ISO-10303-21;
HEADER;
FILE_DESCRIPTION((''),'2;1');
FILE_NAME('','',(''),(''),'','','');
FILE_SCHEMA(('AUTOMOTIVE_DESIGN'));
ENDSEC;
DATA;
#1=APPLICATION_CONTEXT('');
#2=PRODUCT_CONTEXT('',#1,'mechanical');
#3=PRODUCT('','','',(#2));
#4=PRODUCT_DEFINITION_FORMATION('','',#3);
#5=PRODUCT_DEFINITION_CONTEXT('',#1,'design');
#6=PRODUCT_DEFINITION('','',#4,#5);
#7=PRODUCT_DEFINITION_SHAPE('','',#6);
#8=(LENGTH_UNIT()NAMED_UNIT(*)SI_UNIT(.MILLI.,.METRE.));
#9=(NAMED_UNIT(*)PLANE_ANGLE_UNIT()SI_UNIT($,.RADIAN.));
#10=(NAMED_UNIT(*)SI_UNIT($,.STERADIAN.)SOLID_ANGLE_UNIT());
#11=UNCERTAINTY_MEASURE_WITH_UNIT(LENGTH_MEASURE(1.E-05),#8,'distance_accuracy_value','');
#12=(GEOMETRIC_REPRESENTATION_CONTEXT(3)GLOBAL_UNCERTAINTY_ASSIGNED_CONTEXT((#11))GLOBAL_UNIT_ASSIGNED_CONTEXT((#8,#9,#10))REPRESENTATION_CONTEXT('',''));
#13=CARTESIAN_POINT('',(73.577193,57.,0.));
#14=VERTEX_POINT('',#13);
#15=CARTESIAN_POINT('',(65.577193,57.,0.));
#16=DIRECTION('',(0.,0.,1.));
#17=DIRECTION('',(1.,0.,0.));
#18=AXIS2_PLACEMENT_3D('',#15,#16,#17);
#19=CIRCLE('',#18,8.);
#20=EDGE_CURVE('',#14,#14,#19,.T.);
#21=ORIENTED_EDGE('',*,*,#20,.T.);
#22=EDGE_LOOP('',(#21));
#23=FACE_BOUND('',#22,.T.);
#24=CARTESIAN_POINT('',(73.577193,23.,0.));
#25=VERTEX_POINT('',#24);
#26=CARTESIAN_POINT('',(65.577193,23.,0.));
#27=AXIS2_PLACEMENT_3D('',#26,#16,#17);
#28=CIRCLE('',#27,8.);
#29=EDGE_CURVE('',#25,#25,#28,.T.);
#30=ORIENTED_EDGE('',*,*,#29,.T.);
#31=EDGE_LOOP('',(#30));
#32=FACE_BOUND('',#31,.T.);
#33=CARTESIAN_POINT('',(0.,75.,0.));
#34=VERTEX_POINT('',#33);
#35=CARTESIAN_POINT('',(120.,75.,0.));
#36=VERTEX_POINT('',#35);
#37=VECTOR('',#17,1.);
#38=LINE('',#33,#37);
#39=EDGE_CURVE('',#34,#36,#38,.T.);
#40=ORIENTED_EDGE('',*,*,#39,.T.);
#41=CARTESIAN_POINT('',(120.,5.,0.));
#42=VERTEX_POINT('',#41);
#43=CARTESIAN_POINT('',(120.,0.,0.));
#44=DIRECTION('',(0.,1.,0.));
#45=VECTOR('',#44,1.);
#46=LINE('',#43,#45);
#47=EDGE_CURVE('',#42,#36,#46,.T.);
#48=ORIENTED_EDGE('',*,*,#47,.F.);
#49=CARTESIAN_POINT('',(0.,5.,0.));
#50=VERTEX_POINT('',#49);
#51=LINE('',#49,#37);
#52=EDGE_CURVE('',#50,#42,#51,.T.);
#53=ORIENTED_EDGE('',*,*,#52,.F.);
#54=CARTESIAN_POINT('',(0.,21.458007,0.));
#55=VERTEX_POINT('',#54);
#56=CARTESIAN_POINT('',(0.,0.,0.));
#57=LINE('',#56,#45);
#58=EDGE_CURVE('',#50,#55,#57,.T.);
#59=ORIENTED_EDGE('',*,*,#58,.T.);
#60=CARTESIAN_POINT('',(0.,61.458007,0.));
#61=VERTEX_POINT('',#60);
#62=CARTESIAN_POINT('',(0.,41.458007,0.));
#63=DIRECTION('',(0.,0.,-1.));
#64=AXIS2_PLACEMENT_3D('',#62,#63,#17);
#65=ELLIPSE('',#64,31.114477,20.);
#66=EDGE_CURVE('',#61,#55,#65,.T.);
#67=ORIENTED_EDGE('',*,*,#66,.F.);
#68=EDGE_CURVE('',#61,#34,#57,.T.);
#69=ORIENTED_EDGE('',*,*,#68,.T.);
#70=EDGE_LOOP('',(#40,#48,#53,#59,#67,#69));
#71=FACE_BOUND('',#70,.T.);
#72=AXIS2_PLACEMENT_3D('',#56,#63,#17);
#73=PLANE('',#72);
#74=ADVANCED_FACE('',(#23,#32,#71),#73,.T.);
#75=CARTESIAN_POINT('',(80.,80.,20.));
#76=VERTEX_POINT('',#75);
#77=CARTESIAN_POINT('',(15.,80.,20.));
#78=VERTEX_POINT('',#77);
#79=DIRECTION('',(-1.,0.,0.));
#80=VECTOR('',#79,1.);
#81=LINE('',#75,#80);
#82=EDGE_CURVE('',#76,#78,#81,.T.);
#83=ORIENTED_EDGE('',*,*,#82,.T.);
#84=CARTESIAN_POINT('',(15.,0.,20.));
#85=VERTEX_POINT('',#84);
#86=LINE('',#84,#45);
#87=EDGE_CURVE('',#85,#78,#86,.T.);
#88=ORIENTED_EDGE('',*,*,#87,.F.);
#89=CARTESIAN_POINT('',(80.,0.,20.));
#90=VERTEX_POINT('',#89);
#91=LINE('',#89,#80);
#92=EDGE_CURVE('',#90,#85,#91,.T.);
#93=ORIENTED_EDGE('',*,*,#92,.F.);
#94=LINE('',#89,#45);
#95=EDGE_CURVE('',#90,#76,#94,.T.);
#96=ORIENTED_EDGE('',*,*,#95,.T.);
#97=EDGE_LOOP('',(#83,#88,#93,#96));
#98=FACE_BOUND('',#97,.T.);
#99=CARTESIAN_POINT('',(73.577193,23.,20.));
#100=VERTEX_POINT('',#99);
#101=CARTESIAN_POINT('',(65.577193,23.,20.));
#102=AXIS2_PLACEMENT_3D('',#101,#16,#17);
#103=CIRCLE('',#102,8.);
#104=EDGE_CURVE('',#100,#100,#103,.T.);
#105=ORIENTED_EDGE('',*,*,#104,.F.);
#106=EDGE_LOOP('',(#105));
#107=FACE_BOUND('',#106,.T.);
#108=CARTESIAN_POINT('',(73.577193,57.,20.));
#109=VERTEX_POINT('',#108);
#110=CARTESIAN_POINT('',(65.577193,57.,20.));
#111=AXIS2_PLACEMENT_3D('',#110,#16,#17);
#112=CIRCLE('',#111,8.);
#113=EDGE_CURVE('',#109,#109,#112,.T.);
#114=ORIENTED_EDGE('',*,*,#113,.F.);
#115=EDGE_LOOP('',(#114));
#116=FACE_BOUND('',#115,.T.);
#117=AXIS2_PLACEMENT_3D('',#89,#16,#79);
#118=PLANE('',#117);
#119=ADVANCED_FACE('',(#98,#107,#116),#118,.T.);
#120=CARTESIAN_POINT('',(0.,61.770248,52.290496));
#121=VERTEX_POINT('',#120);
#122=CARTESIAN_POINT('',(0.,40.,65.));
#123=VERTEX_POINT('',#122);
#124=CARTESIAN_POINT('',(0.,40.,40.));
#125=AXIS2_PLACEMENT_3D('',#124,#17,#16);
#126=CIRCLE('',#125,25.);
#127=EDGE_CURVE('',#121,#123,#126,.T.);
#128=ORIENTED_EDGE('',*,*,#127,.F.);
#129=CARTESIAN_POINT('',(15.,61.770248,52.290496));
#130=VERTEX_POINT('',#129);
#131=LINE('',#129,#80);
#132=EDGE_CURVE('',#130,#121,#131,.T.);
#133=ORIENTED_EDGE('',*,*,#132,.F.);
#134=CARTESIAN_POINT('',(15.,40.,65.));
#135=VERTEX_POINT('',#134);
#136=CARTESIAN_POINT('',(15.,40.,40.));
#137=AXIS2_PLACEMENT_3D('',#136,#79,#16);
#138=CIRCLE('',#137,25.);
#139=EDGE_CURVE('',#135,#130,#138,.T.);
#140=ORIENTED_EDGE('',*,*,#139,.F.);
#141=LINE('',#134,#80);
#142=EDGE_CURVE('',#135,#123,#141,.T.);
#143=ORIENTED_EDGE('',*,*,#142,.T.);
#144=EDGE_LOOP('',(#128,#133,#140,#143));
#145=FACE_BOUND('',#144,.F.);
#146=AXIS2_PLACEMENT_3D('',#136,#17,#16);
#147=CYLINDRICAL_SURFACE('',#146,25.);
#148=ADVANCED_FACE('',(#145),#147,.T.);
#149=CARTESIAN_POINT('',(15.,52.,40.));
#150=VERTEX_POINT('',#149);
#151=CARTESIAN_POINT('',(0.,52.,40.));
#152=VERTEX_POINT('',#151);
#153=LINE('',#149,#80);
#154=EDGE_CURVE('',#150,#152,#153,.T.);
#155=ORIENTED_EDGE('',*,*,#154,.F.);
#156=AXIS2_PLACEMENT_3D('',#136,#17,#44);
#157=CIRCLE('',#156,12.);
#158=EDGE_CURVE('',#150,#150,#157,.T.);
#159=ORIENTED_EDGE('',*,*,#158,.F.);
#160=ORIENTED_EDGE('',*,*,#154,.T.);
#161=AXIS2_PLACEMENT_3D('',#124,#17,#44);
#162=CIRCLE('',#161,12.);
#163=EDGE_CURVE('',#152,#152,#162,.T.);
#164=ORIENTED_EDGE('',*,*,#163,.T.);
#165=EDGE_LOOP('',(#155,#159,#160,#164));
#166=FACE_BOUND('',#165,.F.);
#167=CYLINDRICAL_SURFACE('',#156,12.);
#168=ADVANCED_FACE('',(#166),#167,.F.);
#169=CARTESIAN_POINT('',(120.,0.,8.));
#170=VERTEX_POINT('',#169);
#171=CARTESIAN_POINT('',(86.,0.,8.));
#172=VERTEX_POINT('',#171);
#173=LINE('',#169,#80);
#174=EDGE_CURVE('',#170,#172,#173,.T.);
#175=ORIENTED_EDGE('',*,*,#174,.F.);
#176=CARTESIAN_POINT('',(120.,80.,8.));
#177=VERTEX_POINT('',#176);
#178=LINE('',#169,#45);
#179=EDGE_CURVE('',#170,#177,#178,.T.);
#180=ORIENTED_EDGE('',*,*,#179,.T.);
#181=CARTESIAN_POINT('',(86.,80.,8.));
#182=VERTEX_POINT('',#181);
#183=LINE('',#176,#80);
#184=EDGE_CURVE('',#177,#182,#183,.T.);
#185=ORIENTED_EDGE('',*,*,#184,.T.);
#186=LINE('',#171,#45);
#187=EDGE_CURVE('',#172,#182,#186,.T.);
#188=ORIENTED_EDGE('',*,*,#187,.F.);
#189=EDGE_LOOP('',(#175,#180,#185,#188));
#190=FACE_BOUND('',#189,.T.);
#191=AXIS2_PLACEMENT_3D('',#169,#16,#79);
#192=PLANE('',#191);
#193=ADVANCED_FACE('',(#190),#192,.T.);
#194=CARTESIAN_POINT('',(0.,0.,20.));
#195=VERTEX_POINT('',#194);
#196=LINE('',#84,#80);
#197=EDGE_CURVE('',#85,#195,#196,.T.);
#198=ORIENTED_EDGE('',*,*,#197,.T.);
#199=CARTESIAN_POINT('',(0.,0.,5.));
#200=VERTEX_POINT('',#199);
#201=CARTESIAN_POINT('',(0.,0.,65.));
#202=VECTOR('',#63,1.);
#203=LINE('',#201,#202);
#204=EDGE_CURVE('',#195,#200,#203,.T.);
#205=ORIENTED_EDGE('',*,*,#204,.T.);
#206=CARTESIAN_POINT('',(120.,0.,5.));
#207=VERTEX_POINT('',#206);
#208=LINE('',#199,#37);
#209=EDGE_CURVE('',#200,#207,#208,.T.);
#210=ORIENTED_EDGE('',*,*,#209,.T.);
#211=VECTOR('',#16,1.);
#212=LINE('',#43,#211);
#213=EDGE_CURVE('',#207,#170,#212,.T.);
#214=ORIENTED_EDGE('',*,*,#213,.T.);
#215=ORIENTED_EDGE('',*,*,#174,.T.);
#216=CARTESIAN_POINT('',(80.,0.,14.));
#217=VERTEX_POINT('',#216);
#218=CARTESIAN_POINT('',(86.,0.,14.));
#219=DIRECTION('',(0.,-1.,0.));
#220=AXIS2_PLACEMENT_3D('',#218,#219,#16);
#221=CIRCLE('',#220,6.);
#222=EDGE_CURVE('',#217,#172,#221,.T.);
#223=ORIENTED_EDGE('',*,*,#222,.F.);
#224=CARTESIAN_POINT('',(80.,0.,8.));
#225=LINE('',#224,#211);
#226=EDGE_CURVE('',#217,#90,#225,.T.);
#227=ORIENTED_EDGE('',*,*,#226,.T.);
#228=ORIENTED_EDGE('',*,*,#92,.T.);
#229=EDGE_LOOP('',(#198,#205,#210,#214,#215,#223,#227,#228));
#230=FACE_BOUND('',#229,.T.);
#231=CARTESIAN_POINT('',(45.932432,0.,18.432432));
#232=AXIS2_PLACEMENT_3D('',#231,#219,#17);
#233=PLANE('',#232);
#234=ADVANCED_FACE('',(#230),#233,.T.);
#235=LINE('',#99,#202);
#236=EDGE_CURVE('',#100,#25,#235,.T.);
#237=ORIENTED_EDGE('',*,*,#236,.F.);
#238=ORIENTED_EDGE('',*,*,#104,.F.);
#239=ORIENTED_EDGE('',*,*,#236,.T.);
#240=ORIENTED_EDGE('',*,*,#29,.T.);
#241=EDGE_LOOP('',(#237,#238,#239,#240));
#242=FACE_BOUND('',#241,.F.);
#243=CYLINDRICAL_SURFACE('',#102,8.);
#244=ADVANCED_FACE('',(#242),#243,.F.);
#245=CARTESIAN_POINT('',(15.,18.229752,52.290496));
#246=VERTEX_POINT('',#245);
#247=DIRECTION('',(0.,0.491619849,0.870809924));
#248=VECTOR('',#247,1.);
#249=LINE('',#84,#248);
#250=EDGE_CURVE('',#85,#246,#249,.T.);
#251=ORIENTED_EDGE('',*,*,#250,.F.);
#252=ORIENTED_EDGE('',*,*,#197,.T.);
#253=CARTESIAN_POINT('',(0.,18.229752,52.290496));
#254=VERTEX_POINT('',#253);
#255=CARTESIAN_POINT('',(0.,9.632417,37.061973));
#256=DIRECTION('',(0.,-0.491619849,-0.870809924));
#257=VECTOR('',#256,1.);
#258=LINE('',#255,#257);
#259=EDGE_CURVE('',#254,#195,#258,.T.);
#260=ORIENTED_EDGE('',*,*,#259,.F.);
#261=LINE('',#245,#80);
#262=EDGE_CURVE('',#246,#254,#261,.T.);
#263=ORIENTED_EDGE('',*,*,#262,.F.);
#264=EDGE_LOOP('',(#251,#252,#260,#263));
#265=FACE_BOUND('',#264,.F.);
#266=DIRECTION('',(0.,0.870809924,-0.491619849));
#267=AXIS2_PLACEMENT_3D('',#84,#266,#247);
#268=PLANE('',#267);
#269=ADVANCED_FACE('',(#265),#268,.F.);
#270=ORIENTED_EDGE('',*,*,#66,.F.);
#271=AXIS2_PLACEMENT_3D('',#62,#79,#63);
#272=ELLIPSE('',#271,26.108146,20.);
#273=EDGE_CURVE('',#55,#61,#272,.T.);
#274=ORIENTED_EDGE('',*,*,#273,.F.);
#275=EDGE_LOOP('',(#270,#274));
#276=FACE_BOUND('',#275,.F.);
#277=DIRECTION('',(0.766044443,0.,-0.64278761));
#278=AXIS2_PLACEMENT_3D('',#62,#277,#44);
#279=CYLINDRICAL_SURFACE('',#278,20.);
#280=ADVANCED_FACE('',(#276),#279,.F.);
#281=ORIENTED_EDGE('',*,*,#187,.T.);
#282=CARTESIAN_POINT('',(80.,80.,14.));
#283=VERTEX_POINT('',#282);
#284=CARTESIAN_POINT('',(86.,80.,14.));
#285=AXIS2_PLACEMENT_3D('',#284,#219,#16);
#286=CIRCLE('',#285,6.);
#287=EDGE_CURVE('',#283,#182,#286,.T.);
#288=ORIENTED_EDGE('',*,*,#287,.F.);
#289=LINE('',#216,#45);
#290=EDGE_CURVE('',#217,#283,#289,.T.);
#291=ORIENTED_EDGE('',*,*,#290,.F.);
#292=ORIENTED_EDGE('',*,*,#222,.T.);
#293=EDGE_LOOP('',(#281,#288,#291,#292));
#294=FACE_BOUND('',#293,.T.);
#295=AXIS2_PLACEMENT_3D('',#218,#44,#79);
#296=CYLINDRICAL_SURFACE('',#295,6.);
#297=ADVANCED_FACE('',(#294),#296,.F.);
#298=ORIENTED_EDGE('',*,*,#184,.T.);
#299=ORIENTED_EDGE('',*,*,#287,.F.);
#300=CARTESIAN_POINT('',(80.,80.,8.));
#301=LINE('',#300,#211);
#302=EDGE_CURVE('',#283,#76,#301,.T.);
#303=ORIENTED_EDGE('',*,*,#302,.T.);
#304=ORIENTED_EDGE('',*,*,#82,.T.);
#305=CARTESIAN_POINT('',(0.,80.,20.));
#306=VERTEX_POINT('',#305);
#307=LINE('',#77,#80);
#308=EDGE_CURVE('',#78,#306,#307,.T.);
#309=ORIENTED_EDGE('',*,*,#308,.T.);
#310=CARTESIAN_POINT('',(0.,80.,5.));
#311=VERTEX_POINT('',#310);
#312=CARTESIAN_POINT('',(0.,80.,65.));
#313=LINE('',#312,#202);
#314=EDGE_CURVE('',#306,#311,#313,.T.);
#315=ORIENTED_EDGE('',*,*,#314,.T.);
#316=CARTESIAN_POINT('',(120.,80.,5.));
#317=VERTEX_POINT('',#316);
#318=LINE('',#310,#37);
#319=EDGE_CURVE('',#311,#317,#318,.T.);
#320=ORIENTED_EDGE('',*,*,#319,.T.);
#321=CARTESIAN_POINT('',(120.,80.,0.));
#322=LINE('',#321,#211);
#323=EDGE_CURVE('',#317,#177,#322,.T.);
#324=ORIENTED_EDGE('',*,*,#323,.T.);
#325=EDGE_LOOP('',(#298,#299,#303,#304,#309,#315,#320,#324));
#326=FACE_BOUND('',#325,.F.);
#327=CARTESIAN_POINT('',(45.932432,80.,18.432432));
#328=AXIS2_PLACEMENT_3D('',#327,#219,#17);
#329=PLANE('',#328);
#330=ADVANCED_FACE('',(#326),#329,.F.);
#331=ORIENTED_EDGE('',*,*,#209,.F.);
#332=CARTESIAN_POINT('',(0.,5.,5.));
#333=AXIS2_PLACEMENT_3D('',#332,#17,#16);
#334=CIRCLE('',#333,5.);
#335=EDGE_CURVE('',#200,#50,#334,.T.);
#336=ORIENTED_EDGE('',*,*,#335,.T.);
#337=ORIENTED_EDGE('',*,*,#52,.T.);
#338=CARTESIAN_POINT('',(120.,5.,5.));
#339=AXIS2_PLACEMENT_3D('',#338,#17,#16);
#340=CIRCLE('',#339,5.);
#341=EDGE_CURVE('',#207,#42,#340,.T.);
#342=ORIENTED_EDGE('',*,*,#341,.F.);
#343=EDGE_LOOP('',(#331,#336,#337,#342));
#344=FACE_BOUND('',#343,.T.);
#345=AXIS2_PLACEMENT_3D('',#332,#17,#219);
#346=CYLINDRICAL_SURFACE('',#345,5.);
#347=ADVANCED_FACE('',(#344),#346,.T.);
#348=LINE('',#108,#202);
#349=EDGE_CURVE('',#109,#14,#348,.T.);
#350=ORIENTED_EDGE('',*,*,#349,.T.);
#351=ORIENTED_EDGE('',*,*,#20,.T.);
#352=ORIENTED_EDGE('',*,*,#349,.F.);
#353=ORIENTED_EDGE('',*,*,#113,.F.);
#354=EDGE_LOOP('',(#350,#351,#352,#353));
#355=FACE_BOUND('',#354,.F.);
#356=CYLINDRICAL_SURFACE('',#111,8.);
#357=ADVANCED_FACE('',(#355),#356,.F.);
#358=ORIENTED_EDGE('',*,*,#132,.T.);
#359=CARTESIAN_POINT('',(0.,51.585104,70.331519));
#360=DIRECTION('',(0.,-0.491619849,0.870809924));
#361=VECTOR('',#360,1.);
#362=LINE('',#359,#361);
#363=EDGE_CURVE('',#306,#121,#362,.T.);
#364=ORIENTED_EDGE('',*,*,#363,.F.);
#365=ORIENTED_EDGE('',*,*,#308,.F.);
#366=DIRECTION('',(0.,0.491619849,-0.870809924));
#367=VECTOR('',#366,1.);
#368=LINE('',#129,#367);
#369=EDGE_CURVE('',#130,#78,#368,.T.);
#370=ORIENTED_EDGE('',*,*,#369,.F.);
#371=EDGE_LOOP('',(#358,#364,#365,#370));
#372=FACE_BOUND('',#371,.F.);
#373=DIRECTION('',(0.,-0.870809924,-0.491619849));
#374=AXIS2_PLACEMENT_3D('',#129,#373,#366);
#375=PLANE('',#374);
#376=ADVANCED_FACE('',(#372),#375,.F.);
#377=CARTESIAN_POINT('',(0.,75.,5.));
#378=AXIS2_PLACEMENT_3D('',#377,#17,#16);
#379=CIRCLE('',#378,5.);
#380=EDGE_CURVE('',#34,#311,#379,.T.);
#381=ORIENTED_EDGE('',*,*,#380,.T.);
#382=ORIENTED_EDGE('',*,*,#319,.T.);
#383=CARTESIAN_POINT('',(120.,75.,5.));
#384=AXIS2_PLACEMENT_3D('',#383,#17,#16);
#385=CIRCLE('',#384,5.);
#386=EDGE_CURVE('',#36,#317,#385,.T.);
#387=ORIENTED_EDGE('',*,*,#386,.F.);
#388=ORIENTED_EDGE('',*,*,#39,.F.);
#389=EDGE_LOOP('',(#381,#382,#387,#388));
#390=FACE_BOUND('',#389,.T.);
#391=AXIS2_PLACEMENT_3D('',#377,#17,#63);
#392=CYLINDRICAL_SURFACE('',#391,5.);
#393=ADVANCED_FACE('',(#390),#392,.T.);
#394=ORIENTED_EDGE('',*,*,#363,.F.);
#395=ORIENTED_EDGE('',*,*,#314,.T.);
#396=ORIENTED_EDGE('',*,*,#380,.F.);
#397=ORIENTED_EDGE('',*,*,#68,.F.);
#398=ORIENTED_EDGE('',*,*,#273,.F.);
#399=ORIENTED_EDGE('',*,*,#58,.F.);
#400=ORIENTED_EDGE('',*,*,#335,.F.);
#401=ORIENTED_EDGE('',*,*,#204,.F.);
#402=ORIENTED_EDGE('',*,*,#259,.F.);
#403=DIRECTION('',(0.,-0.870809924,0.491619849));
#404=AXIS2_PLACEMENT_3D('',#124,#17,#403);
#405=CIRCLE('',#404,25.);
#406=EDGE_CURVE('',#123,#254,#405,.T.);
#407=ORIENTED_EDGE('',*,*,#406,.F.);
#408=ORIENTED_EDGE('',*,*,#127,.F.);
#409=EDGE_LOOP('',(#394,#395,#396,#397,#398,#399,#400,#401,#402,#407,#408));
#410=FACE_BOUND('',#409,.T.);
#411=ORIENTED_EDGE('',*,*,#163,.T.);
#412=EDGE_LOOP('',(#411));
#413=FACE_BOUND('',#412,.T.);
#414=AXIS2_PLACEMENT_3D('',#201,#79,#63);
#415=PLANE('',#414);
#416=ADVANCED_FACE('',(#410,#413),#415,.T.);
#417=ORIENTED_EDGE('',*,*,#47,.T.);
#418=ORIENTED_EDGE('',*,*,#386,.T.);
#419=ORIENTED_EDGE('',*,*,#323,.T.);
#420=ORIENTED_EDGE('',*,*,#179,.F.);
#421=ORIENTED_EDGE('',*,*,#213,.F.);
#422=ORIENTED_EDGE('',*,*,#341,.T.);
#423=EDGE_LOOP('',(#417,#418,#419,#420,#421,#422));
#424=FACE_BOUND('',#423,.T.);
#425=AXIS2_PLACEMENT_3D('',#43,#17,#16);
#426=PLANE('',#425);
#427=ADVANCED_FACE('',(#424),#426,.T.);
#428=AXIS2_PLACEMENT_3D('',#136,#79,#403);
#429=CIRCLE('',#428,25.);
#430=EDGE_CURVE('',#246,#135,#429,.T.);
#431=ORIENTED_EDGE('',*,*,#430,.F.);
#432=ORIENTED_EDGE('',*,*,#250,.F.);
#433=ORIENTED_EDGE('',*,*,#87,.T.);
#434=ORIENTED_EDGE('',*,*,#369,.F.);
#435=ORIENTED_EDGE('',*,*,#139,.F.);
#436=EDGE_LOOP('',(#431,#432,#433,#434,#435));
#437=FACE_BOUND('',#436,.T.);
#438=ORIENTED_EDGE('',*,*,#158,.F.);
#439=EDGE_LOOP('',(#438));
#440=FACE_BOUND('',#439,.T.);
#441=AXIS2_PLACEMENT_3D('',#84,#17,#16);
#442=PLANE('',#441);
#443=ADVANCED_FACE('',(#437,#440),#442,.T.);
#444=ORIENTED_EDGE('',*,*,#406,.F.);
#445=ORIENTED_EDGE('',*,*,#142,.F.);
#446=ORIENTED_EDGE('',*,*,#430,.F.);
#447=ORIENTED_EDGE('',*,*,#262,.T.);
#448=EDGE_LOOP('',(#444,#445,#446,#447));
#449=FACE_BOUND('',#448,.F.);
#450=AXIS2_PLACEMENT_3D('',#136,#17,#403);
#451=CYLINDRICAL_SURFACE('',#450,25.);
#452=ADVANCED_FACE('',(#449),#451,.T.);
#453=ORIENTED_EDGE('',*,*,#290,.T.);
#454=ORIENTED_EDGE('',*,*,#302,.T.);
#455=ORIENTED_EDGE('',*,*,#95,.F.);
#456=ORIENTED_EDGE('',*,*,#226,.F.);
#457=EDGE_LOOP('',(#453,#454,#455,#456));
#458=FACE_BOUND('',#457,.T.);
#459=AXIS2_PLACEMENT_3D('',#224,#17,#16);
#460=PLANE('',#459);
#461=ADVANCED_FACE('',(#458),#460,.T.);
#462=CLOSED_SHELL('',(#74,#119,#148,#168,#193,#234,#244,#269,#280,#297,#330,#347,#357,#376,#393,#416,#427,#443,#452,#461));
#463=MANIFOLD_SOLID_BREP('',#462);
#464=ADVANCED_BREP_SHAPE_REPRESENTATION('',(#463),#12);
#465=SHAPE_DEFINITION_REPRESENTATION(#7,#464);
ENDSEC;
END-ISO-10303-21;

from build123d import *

# Parameters (mm, degrees)
F1_DEPTH  = 80
F2_R      = 12
F3_DEPTH  = 25
F5_R      = 20
F6_DEPTH  = 50
F7_R      = 6
F8_R      = 5
F9_R      = 8
F10_DEPTH = 20.001


with BuildPart() as f1:
    # F0 (on Front) → F1 (new body)
    with BuildSketch(Plane.XZ):
        Polygon((0, 65), (0, 0), (120, 0), (120, 8), (80, 8), (80, 20), (15, 20), (15, 65), align=None)
    extrude(amount=-F1_DEPTH)

    # F2 (on face) → F3 (cut)
    with BuildSketch(Plane.YZ.offset(15)):
        with BuildLine():
            Line((0, 65), (0, 20))
            Line((0, 20), (18.2297518911, 52.2904962177))
            ThreePointArc((18.2297518911, 52.2904962177), (27.3956833871, 61.5900718554), (40, 65))
            Line((40, 65), (0, 65))
        make_face()
        with BuildLine():
            Line((61.7702481089, 52.2904962177), (80, 20))
            Line((80, 20), (80, 65))
            Line((80, 65), (40, 65))
            ThreePointArc((40, 65), (52.6043166129, 61.5900718554), (61.7702481089, 52.2904962177))
        make_face()
        with Locations((40, 40)):
            Circle(F2_R)
    extrude(amount=-F3_DEPTH, mode=Mode.SUBTRACT)

    # F5 (on face) → F6 (cut, symmetric)
    with BuildSketch(Plane(origin=(0, 0, 0), x_dir=(0, 1, 0), z_dir=(0.7660444431, 0, -0.6427876097))):
        with Locations((41.4580069482, 0)):
            Circle(F5_R)
    extrude(amount=F6_DEPTH, both=True, mode=Mode.SUBTRACT)

    # F7
    f7_edges = [f1.edges().sort_by_distance(p)[0] for p in [
        (80, 40, 8),
    ]]
    fillet(f7_edges, radius=F7_R)

    # F8
    f8_edges = [f1.edges().sort_by_distance(p)[0] for p in [
        (60, 0, 0),
        (60, 80, 0),
    ]]
    fillet(f8_edges, radius=F8_R)

    # F9 (on face) → F10 (cut, through all)
    with BuildSketch(Plane.XY.offset(20)):
        with Locations((65.5771933797, 57)):
            Circle(F9_R)
        with Locations((65.5771933797, 23)):
            Circle(F9_R)
    extrude(amount=-F10_DEPTH, mode=Mode.SUBTRACT)


solid = f1.part
